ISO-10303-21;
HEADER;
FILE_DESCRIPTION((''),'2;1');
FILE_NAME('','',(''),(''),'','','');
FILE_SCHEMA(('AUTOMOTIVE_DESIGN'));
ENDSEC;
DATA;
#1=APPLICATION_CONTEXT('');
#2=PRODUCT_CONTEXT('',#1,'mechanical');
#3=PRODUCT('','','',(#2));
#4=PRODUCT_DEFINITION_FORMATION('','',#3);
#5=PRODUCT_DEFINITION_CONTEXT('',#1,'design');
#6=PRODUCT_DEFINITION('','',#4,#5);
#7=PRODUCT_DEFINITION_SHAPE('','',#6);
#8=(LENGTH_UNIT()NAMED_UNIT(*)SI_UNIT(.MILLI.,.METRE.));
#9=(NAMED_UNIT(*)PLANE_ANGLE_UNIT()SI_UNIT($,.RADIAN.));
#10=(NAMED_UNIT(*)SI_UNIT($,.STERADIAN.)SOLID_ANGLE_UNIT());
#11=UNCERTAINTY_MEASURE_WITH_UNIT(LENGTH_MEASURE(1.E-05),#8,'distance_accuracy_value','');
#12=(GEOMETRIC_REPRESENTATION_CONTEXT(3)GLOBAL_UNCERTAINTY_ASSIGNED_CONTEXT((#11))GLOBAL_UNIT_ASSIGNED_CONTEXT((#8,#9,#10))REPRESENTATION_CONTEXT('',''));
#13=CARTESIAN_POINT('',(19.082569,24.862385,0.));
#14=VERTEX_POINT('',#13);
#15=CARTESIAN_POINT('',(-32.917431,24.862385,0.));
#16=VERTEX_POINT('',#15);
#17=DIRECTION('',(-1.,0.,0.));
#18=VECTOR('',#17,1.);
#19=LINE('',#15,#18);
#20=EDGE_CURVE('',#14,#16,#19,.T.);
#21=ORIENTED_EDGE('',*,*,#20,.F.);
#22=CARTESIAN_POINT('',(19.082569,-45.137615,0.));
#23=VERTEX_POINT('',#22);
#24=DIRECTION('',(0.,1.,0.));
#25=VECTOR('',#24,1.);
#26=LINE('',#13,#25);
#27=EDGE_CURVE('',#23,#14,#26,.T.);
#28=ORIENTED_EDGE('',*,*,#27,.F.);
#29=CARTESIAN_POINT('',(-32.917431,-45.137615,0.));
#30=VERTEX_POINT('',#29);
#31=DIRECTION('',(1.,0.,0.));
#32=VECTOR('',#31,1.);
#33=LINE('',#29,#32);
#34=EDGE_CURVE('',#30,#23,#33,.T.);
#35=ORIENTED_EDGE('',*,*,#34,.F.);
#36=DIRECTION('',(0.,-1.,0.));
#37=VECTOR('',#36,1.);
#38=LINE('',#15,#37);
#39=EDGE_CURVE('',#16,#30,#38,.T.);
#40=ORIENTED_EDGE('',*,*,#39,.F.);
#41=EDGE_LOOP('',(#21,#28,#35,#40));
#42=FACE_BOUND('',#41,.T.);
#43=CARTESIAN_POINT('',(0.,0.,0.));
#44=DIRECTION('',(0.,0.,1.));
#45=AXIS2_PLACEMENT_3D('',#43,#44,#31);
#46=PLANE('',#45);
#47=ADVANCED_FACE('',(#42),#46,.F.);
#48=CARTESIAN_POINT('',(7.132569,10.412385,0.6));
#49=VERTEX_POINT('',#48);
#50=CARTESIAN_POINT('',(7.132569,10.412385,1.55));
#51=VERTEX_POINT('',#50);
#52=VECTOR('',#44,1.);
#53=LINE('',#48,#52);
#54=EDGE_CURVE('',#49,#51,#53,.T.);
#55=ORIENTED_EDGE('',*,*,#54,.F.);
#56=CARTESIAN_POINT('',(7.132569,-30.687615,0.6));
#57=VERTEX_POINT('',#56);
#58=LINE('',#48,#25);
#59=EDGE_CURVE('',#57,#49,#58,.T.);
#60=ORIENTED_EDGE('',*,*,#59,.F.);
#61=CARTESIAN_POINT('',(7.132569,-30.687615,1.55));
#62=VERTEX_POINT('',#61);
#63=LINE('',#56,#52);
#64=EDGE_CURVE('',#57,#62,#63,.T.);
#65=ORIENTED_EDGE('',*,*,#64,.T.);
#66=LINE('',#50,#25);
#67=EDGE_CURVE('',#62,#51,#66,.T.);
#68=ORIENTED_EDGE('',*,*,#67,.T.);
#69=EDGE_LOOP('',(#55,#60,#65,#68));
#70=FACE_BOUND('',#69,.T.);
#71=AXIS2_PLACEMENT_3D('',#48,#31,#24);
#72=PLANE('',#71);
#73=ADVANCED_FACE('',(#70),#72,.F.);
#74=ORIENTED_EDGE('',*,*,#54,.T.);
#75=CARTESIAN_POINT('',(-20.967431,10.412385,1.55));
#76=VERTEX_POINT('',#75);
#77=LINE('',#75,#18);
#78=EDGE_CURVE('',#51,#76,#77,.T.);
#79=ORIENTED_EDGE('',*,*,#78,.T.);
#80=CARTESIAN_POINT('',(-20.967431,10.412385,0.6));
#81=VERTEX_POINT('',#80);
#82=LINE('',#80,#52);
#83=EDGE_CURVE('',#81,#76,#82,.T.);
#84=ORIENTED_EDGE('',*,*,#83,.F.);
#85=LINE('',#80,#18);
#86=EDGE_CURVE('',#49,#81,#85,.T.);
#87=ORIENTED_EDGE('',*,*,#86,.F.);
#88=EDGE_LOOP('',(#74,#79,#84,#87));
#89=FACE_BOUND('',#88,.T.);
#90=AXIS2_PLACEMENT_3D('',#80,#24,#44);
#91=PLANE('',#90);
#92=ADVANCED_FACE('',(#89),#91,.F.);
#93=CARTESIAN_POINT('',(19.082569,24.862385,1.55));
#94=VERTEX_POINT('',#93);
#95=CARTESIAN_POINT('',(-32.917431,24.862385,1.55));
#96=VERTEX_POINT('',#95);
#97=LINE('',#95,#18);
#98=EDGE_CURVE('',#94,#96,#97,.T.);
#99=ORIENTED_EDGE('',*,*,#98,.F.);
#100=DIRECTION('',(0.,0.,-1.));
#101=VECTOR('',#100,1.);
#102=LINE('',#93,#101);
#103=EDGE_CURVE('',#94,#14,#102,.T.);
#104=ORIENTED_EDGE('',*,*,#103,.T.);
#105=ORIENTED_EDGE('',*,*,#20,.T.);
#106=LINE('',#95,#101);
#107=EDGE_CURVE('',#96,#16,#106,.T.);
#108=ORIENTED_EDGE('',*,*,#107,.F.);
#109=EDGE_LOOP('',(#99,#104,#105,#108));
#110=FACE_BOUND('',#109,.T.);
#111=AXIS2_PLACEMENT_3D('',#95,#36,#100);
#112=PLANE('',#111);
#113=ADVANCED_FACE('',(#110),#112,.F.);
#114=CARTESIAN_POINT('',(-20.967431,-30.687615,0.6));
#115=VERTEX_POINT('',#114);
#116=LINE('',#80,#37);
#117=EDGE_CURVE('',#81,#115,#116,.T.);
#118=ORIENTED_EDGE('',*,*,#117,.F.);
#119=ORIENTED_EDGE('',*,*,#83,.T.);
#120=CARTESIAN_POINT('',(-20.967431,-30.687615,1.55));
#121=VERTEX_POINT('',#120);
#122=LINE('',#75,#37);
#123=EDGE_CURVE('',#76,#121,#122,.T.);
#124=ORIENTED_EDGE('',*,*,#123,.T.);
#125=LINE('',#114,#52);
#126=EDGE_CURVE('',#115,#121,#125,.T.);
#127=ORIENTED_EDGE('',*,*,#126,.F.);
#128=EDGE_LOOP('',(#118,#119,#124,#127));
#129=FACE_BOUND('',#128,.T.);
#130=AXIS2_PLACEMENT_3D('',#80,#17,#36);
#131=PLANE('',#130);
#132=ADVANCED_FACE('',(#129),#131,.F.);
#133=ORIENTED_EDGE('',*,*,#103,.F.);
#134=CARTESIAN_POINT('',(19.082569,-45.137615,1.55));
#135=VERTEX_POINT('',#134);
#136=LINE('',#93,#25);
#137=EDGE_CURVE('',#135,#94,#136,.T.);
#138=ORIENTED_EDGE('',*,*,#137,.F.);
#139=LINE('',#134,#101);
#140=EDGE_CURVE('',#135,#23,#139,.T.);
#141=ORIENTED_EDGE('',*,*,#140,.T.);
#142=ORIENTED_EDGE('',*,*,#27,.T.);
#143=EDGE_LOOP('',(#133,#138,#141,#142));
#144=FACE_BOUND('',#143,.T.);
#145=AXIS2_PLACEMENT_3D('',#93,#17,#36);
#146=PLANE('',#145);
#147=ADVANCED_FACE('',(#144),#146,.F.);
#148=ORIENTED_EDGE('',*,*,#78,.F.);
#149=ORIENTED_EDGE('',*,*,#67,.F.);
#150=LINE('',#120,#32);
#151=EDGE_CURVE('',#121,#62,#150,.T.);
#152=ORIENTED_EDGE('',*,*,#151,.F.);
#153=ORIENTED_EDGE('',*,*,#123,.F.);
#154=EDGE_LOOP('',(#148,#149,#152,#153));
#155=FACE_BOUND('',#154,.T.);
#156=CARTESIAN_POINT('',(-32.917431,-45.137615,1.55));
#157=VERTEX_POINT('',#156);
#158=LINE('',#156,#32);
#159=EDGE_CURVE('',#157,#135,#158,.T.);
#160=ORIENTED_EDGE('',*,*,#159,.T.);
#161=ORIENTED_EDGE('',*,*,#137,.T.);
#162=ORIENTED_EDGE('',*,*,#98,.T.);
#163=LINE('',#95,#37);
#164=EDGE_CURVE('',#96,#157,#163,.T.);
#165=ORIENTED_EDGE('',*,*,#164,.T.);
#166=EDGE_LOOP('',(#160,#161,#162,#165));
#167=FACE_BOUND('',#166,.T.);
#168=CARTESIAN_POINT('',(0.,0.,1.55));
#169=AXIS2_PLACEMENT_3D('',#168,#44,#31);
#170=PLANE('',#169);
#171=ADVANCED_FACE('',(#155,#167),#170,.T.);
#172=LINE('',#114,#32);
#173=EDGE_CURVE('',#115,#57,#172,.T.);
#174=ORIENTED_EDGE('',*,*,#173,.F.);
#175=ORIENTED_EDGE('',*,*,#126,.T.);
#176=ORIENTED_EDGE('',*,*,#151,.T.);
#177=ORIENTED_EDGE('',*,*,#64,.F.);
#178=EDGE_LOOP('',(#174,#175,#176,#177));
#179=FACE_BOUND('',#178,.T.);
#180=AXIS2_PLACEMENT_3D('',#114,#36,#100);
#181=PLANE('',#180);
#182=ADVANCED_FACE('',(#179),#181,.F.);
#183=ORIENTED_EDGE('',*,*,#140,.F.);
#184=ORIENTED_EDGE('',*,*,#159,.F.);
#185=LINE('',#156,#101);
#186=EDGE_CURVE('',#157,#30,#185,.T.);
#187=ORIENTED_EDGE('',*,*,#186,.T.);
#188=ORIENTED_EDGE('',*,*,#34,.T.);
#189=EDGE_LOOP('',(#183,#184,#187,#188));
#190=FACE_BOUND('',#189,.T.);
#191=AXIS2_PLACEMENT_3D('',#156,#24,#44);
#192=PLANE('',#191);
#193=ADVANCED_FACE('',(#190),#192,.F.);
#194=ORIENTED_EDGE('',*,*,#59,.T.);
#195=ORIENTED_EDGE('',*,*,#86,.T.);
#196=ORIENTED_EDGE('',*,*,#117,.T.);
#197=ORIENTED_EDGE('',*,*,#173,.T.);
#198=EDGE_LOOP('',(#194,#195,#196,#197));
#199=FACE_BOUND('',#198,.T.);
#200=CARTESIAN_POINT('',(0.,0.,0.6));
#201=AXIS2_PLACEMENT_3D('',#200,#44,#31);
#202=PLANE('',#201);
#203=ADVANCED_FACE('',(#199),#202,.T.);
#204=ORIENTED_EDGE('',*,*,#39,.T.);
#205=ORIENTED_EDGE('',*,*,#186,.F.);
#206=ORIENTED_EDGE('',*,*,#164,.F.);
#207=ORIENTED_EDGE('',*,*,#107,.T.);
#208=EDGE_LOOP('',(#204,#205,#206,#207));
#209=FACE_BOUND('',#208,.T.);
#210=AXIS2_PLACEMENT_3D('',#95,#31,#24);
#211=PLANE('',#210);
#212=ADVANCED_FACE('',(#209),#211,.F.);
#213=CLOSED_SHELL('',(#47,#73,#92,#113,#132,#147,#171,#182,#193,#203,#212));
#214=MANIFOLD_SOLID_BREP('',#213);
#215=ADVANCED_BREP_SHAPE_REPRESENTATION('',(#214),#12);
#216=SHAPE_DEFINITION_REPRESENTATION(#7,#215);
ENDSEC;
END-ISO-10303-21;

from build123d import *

# Parameters (mm, degrees)
SKETCH1_W           = 52
SKETCH1_H           = 70
BOSS_EXTRUDE1_DEPTH = 1.55
SKETCH2_W           = 28.1
SKETCH2_H           = 41.1
CUT_EXTRUDE1_DEPTH  = 0.95


with BuildPart() as part:
    # Sketch1 → Boss-Extrude1 (new body)
    with BuildSketch(Plane.XY):
        with Locations((-6.917431193, -10.137614679)):
            Rectangle(SKETCH1_W, SKETCH1_H)
    extrude(amount=BOSS_EXTRUDE1_DEPTH)

    # Sketch2 → Cut-Extrude1 (cut)
    with BuildSketch(Plane.XY.offset(1.55)):
        with Locations((-6.917431193, -10.137614679)):
            Rectangle(SKETCH2_W, SKETCH2_H)
    extrude(amount=-CUT_EXTRUDE1_DEPTH, mode=Mode.SUBTRACT)


solid = part.part
